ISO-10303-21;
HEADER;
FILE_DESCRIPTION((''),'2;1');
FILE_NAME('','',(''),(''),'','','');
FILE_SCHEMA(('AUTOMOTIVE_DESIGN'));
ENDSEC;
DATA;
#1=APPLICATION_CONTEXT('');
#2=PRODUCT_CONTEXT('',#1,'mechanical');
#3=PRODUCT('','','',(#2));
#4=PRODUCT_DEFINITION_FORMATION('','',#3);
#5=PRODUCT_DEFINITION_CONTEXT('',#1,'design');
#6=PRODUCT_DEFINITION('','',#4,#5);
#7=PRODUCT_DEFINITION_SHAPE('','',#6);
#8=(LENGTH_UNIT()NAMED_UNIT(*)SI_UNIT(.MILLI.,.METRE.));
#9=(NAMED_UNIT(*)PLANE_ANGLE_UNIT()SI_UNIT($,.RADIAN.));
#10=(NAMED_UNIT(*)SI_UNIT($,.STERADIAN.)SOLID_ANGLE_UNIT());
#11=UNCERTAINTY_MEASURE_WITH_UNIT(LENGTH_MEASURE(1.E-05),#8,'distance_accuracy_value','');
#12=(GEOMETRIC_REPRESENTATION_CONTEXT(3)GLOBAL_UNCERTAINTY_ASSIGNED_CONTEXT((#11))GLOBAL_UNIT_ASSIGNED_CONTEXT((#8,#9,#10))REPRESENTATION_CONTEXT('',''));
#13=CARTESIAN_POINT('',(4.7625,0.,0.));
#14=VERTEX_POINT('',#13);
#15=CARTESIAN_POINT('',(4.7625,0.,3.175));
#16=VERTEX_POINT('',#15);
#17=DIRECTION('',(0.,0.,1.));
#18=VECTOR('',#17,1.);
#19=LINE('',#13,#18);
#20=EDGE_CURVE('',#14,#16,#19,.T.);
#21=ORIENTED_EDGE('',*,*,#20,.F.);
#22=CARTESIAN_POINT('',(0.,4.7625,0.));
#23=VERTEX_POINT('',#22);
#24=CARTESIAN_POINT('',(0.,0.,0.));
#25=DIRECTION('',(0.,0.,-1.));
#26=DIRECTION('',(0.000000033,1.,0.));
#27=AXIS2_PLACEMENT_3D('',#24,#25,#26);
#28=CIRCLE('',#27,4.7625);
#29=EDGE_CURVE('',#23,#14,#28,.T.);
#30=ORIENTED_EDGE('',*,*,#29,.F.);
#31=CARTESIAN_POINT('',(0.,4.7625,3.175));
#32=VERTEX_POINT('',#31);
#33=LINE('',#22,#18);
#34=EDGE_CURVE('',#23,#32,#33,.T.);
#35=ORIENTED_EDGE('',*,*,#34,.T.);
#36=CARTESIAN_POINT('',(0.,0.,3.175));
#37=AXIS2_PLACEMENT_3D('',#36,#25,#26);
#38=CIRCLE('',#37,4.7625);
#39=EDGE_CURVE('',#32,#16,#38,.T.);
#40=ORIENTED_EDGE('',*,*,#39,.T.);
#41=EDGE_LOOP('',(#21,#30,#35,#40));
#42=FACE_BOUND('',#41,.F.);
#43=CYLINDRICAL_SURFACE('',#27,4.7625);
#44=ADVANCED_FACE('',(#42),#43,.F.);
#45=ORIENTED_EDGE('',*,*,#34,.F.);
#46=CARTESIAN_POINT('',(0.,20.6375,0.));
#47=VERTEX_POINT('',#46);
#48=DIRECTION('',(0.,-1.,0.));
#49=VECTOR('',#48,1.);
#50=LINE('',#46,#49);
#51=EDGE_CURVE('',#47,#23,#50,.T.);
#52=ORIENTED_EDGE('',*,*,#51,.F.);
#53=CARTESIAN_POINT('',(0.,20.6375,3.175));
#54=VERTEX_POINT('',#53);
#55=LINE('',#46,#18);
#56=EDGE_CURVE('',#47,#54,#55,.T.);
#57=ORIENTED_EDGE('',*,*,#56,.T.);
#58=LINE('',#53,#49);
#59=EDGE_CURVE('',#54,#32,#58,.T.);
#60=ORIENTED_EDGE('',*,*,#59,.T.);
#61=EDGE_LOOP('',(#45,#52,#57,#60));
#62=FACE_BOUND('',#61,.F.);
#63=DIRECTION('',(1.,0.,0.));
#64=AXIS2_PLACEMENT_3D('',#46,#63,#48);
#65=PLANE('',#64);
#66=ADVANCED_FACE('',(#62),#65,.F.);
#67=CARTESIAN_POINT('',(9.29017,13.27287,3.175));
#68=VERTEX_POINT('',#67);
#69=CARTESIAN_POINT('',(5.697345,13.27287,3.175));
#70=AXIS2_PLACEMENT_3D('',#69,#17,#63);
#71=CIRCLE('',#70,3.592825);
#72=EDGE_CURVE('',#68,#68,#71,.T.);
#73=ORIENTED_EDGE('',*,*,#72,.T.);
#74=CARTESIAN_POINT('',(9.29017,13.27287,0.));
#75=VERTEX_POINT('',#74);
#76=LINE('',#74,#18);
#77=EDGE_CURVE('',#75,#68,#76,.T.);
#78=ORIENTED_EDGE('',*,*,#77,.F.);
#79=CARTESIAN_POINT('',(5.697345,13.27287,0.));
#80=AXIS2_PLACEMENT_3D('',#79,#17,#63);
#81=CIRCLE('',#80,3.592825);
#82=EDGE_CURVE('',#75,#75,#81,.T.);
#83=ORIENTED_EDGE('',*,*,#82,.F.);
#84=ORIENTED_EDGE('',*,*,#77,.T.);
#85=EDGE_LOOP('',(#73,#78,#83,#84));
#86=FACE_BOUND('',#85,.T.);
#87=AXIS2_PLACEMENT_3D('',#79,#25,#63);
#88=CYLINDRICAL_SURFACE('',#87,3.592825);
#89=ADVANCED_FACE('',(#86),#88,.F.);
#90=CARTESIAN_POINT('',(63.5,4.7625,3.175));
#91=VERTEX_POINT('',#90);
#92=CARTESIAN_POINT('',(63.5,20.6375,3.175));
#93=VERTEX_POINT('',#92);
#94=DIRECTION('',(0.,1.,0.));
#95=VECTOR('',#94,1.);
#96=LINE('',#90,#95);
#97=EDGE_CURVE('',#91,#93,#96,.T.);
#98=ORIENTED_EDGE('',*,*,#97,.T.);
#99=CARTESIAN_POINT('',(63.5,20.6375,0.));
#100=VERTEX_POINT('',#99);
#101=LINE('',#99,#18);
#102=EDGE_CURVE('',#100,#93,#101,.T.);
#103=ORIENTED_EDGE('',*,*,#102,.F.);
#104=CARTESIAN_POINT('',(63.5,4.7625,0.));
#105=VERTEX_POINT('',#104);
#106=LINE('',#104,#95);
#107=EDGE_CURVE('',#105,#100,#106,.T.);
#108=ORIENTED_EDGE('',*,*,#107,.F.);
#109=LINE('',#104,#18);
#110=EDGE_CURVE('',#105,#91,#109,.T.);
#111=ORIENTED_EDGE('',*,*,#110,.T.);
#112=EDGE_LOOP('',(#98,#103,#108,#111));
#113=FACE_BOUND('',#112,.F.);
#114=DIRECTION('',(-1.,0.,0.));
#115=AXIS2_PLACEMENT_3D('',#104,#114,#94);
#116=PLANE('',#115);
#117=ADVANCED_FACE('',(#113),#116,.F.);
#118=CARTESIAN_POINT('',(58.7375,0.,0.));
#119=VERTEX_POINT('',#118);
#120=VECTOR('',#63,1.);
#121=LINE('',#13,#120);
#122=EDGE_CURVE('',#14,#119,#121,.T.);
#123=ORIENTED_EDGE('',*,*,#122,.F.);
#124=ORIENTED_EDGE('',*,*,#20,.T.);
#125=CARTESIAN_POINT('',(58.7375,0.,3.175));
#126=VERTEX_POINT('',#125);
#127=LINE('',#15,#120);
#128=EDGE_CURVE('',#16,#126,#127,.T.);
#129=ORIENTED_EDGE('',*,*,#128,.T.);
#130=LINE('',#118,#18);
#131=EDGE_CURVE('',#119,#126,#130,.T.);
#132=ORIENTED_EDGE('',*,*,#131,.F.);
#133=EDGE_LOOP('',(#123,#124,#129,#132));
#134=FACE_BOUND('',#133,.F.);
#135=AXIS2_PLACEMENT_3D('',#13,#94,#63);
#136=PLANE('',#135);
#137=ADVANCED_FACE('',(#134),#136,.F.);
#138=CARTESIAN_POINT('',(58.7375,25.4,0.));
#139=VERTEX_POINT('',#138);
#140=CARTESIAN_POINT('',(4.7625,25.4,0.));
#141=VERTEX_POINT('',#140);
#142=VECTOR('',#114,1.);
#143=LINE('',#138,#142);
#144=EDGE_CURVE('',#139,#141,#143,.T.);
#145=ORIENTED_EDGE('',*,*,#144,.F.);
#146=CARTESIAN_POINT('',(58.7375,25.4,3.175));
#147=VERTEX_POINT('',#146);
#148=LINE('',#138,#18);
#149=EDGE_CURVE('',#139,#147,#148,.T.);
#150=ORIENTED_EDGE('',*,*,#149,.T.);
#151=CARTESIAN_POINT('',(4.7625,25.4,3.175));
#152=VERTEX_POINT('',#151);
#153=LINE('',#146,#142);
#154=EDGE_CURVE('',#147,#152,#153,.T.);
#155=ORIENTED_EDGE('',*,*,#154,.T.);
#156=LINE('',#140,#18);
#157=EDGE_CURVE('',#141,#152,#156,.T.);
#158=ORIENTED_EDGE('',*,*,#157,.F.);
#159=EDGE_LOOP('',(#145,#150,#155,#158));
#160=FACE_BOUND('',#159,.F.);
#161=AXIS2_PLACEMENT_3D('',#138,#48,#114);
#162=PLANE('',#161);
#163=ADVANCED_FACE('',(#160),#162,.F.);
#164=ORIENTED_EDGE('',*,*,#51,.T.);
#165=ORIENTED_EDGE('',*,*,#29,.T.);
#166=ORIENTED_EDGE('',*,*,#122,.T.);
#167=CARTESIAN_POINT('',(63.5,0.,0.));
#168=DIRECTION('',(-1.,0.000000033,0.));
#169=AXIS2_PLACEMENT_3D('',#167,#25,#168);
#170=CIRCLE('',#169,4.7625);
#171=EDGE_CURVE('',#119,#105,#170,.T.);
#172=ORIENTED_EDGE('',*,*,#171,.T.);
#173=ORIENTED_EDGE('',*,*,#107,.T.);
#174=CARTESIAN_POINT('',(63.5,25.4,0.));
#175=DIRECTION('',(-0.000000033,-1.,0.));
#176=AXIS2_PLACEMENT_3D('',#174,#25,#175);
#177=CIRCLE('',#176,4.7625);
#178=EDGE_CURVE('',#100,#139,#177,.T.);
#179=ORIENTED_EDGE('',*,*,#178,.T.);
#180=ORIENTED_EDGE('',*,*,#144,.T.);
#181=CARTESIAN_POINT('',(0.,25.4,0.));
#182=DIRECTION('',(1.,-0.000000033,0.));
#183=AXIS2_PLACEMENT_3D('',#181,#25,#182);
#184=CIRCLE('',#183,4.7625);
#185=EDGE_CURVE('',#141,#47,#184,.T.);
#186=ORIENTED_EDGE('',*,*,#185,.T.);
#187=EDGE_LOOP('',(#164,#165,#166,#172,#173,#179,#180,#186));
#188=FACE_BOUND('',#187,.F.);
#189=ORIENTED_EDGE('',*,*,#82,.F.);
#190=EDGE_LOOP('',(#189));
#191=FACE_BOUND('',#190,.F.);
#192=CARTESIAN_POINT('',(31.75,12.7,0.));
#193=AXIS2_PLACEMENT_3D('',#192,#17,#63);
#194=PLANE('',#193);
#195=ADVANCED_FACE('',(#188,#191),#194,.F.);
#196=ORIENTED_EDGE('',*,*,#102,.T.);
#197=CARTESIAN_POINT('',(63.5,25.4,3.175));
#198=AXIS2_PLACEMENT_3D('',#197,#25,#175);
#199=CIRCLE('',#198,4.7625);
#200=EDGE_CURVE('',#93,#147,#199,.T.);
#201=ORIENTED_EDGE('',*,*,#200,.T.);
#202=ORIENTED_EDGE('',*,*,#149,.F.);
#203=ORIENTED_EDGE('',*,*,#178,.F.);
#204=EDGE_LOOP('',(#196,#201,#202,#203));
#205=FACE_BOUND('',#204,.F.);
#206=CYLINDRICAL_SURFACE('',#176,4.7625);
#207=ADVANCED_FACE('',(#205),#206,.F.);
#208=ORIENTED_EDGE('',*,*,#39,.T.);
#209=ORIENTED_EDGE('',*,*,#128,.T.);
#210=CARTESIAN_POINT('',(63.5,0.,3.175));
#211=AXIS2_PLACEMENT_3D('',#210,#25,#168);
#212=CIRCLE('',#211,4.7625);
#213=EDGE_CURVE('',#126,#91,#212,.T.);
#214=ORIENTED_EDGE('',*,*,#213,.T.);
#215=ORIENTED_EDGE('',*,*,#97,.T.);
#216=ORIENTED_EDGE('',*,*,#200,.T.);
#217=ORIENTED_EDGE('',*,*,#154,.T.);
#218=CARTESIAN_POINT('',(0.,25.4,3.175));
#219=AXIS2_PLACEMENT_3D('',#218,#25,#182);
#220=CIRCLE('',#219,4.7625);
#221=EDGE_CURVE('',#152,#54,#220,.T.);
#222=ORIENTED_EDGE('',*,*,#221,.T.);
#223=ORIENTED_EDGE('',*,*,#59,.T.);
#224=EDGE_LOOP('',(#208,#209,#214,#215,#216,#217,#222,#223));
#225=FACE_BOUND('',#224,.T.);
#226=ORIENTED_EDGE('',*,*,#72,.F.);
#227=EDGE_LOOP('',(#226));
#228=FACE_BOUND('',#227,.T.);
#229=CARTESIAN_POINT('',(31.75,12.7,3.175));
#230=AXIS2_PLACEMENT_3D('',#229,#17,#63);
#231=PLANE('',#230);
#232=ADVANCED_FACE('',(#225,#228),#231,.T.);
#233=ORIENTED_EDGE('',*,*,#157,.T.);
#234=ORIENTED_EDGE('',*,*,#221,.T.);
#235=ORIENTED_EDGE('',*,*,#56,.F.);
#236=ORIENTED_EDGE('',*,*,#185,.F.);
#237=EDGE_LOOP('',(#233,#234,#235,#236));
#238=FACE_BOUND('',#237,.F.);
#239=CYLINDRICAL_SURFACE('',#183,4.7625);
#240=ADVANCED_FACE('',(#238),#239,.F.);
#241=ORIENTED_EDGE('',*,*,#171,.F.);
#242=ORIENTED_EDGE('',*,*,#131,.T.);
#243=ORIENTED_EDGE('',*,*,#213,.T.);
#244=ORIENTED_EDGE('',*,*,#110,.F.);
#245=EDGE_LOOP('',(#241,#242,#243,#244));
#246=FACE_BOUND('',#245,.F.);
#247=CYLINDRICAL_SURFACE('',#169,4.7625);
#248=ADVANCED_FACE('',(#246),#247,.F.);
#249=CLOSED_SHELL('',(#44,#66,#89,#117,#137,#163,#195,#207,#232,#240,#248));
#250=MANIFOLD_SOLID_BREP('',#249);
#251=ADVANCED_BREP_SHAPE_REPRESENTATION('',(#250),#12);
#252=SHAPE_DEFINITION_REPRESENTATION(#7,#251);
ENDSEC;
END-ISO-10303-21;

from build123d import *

# Parameters (mm, degrees)
F0_R     = 3.592825
F1_DEPTH = 3.175


with BuildPart() as f1:
    # F0 (on Top) → F1 (new body)
    with BuildSketch(Plane.XY):
        with BuildLine():
            ThreePointArc((0, 4.7625), (3.367596, 3.367596), (4.7625, 0))
            Line((4.7625, 0), (58.7375, 0))
            ThreePointArc((58.7375, 0), (60.132404, 3.367596), (63.5, 4.7625))
            Line((63.5, 4.7625), (63.5, 20.6375))
            ThreePointArc((63.5, 20.6375), (60.132404, 22.032404), (58.7375, 25.4))
            Line((58.7375, 25.4), (4.7625, 25.4))
            ThreePointArc((4.7625, 25.4), (3.367596, 22.032404), (0, 20.6375))
            Line((0, 20.6375), (0, 4.7625))
        make_face()
        with Locations((5.697345, 13.27287)):
            Circle(F0_R, mode=Mode.SUBTRACT)
    extrude(amount=F1_DEPTH)


solid = f1.part
